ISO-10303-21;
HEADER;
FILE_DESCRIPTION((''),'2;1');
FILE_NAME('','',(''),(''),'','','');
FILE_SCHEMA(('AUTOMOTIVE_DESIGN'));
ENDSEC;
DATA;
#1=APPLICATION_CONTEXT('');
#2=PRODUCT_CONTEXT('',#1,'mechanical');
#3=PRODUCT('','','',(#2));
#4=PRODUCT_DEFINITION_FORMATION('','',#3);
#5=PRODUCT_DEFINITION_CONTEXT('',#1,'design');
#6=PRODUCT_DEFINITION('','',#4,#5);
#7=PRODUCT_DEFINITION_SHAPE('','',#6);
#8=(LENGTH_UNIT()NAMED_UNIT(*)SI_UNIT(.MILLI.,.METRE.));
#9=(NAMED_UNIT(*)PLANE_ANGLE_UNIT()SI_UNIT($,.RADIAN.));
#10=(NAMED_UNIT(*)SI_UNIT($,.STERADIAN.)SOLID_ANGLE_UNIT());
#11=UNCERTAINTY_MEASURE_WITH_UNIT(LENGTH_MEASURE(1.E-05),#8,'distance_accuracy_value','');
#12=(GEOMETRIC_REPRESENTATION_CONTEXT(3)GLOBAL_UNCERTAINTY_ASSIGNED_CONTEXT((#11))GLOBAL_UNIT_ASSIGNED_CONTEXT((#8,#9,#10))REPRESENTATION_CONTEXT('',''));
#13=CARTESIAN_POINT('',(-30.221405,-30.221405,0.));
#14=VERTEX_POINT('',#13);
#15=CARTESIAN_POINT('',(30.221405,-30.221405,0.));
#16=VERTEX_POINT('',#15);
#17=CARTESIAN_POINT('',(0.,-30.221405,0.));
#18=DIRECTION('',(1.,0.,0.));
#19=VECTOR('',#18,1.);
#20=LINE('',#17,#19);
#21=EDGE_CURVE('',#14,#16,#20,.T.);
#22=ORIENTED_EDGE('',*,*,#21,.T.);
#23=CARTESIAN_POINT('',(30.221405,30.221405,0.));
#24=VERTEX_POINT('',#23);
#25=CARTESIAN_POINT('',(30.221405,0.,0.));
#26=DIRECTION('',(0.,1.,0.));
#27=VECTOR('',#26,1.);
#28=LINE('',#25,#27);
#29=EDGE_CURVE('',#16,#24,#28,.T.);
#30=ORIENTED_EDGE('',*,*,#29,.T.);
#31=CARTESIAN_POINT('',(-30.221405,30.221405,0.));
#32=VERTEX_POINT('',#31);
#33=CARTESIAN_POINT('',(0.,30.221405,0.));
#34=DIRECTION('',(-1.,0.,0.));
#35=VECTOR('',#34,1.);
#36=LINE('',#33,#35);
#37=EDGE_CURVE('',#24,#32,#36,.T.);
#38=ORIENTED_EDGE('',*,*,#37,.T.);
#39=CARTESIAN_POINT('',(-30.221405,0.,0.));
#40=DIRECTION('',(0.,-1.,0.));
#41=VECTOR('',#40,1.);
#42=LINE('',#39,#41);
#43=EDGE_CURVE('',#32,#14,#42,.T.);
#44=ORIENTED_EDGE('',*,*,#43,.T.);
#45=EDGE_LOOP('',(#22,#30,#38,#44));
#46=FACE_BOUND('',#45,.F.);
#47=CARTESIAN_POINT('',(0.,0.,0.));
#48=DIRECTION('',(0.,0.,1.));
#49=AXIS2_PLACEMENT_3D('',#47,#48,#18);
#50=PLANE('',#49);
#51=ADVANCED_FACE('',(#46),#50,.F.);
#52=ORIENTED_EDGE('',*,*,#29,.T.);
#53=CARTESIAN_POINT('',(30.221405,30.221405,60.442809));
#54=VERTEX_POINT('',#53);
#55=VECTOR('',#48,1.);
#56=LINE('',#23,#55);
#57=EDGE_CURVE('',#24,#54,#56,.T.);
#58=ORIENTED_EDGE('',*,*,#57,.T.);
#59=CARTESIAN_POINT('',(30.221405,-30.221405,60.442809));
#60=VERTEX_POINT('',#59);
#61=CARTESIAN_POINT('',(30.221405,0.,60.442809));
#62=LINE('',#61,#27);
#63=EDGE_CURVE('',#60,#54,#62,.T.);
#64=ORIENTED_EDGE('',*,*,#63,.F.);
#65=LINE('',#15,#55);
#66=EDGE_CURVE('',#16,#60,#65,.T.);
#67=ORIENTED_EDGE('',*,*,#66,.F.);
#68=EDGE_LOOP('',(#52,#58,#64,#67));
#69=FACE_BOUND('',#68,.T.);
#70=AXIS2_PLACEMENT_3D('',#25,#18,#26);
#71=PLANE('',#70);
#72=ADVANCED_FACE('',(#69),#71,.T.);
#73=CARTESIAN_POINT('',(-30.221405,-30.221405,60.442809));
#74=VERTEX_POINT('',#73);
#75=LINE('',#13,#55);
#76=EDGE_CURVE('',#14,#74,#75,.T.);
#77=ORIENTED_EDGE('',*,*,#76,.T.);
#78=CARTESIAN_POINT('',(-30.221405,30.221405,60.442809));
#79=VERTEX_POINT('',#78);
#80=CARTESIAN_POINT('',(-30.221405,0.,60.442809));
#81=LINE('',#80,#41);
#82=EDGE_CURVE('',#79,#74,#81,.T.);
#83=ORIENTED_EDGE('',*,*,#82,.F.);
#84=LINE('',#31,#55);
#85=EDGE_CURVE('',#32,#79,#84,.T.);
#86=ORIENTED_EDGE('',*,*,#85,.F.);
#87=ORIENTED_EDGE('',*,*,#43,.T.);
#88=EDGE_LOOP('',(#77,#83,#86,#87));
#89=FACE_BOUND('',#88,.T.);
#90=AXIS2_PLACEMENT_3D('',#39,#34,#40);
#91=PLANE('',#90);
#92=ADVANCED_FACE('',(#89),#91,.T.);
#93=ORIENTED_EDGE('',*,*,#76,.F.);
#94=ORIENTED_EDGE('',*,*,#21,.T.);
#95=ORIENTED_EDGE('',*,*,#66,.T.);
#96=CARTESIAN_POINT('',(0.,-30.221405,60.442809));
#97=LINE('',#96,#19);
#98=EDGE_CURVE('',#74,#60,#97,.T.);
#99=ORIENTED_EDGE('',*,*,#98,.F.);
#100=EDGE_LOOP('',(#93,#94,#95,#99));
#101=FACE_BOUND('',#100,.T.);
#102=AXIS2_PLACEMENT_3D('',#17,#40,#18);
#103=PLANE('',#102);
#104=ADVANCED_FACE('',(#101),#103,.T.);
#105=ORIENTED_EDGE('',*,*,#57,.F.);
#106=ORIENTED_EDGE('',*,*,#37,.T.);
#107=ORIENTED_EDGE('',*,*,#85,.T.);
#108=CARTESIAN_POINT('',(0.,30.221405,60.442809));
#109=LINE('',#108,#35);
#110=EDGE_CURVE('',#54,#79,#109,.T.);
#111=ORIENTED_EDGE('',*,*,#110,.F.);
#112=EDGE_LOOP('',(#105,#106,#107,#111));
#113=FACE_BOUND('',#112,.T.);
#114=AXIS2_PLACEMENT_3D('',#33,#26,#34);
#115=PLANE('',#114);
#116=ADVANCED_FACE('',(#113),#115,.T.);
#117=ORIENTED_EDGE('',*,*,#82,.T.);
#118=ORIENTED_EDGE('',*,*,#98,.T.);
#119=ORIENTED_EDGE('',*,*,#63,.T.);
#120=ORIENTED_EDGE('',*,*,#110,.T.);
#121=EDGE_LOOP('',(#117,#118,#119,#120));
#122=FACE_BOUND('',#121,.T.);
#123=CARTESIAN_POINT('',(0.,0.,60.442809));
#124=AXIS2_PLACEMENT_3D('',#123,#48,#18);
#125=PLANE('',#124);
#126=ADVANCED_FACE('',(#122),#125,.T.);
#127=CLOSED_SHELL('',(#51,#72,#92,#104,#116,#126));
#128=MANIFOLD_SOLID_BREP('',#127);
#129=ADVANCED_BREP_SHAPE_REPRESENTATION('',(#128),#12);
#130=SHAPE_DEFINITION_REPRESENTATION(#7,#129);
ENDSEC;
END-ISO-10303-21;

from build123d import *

# Parameters (mm, degrees)
F0_W = 60.44281
F0_H = 60.44281


with BuildPart() as f2:
    # F2: sweep along a path in F1
    with BuildLine(Plane.XZ) as f2_path:
        Line((0, 0), (0, 60.442809))
    # F0 (on Top) → F2 (sweep)
    with BuildSketch(Plane.XY):
        Rectangle(F0_W, F0_H)
    sweep(path=f2_path.line)


solid = f2.part
